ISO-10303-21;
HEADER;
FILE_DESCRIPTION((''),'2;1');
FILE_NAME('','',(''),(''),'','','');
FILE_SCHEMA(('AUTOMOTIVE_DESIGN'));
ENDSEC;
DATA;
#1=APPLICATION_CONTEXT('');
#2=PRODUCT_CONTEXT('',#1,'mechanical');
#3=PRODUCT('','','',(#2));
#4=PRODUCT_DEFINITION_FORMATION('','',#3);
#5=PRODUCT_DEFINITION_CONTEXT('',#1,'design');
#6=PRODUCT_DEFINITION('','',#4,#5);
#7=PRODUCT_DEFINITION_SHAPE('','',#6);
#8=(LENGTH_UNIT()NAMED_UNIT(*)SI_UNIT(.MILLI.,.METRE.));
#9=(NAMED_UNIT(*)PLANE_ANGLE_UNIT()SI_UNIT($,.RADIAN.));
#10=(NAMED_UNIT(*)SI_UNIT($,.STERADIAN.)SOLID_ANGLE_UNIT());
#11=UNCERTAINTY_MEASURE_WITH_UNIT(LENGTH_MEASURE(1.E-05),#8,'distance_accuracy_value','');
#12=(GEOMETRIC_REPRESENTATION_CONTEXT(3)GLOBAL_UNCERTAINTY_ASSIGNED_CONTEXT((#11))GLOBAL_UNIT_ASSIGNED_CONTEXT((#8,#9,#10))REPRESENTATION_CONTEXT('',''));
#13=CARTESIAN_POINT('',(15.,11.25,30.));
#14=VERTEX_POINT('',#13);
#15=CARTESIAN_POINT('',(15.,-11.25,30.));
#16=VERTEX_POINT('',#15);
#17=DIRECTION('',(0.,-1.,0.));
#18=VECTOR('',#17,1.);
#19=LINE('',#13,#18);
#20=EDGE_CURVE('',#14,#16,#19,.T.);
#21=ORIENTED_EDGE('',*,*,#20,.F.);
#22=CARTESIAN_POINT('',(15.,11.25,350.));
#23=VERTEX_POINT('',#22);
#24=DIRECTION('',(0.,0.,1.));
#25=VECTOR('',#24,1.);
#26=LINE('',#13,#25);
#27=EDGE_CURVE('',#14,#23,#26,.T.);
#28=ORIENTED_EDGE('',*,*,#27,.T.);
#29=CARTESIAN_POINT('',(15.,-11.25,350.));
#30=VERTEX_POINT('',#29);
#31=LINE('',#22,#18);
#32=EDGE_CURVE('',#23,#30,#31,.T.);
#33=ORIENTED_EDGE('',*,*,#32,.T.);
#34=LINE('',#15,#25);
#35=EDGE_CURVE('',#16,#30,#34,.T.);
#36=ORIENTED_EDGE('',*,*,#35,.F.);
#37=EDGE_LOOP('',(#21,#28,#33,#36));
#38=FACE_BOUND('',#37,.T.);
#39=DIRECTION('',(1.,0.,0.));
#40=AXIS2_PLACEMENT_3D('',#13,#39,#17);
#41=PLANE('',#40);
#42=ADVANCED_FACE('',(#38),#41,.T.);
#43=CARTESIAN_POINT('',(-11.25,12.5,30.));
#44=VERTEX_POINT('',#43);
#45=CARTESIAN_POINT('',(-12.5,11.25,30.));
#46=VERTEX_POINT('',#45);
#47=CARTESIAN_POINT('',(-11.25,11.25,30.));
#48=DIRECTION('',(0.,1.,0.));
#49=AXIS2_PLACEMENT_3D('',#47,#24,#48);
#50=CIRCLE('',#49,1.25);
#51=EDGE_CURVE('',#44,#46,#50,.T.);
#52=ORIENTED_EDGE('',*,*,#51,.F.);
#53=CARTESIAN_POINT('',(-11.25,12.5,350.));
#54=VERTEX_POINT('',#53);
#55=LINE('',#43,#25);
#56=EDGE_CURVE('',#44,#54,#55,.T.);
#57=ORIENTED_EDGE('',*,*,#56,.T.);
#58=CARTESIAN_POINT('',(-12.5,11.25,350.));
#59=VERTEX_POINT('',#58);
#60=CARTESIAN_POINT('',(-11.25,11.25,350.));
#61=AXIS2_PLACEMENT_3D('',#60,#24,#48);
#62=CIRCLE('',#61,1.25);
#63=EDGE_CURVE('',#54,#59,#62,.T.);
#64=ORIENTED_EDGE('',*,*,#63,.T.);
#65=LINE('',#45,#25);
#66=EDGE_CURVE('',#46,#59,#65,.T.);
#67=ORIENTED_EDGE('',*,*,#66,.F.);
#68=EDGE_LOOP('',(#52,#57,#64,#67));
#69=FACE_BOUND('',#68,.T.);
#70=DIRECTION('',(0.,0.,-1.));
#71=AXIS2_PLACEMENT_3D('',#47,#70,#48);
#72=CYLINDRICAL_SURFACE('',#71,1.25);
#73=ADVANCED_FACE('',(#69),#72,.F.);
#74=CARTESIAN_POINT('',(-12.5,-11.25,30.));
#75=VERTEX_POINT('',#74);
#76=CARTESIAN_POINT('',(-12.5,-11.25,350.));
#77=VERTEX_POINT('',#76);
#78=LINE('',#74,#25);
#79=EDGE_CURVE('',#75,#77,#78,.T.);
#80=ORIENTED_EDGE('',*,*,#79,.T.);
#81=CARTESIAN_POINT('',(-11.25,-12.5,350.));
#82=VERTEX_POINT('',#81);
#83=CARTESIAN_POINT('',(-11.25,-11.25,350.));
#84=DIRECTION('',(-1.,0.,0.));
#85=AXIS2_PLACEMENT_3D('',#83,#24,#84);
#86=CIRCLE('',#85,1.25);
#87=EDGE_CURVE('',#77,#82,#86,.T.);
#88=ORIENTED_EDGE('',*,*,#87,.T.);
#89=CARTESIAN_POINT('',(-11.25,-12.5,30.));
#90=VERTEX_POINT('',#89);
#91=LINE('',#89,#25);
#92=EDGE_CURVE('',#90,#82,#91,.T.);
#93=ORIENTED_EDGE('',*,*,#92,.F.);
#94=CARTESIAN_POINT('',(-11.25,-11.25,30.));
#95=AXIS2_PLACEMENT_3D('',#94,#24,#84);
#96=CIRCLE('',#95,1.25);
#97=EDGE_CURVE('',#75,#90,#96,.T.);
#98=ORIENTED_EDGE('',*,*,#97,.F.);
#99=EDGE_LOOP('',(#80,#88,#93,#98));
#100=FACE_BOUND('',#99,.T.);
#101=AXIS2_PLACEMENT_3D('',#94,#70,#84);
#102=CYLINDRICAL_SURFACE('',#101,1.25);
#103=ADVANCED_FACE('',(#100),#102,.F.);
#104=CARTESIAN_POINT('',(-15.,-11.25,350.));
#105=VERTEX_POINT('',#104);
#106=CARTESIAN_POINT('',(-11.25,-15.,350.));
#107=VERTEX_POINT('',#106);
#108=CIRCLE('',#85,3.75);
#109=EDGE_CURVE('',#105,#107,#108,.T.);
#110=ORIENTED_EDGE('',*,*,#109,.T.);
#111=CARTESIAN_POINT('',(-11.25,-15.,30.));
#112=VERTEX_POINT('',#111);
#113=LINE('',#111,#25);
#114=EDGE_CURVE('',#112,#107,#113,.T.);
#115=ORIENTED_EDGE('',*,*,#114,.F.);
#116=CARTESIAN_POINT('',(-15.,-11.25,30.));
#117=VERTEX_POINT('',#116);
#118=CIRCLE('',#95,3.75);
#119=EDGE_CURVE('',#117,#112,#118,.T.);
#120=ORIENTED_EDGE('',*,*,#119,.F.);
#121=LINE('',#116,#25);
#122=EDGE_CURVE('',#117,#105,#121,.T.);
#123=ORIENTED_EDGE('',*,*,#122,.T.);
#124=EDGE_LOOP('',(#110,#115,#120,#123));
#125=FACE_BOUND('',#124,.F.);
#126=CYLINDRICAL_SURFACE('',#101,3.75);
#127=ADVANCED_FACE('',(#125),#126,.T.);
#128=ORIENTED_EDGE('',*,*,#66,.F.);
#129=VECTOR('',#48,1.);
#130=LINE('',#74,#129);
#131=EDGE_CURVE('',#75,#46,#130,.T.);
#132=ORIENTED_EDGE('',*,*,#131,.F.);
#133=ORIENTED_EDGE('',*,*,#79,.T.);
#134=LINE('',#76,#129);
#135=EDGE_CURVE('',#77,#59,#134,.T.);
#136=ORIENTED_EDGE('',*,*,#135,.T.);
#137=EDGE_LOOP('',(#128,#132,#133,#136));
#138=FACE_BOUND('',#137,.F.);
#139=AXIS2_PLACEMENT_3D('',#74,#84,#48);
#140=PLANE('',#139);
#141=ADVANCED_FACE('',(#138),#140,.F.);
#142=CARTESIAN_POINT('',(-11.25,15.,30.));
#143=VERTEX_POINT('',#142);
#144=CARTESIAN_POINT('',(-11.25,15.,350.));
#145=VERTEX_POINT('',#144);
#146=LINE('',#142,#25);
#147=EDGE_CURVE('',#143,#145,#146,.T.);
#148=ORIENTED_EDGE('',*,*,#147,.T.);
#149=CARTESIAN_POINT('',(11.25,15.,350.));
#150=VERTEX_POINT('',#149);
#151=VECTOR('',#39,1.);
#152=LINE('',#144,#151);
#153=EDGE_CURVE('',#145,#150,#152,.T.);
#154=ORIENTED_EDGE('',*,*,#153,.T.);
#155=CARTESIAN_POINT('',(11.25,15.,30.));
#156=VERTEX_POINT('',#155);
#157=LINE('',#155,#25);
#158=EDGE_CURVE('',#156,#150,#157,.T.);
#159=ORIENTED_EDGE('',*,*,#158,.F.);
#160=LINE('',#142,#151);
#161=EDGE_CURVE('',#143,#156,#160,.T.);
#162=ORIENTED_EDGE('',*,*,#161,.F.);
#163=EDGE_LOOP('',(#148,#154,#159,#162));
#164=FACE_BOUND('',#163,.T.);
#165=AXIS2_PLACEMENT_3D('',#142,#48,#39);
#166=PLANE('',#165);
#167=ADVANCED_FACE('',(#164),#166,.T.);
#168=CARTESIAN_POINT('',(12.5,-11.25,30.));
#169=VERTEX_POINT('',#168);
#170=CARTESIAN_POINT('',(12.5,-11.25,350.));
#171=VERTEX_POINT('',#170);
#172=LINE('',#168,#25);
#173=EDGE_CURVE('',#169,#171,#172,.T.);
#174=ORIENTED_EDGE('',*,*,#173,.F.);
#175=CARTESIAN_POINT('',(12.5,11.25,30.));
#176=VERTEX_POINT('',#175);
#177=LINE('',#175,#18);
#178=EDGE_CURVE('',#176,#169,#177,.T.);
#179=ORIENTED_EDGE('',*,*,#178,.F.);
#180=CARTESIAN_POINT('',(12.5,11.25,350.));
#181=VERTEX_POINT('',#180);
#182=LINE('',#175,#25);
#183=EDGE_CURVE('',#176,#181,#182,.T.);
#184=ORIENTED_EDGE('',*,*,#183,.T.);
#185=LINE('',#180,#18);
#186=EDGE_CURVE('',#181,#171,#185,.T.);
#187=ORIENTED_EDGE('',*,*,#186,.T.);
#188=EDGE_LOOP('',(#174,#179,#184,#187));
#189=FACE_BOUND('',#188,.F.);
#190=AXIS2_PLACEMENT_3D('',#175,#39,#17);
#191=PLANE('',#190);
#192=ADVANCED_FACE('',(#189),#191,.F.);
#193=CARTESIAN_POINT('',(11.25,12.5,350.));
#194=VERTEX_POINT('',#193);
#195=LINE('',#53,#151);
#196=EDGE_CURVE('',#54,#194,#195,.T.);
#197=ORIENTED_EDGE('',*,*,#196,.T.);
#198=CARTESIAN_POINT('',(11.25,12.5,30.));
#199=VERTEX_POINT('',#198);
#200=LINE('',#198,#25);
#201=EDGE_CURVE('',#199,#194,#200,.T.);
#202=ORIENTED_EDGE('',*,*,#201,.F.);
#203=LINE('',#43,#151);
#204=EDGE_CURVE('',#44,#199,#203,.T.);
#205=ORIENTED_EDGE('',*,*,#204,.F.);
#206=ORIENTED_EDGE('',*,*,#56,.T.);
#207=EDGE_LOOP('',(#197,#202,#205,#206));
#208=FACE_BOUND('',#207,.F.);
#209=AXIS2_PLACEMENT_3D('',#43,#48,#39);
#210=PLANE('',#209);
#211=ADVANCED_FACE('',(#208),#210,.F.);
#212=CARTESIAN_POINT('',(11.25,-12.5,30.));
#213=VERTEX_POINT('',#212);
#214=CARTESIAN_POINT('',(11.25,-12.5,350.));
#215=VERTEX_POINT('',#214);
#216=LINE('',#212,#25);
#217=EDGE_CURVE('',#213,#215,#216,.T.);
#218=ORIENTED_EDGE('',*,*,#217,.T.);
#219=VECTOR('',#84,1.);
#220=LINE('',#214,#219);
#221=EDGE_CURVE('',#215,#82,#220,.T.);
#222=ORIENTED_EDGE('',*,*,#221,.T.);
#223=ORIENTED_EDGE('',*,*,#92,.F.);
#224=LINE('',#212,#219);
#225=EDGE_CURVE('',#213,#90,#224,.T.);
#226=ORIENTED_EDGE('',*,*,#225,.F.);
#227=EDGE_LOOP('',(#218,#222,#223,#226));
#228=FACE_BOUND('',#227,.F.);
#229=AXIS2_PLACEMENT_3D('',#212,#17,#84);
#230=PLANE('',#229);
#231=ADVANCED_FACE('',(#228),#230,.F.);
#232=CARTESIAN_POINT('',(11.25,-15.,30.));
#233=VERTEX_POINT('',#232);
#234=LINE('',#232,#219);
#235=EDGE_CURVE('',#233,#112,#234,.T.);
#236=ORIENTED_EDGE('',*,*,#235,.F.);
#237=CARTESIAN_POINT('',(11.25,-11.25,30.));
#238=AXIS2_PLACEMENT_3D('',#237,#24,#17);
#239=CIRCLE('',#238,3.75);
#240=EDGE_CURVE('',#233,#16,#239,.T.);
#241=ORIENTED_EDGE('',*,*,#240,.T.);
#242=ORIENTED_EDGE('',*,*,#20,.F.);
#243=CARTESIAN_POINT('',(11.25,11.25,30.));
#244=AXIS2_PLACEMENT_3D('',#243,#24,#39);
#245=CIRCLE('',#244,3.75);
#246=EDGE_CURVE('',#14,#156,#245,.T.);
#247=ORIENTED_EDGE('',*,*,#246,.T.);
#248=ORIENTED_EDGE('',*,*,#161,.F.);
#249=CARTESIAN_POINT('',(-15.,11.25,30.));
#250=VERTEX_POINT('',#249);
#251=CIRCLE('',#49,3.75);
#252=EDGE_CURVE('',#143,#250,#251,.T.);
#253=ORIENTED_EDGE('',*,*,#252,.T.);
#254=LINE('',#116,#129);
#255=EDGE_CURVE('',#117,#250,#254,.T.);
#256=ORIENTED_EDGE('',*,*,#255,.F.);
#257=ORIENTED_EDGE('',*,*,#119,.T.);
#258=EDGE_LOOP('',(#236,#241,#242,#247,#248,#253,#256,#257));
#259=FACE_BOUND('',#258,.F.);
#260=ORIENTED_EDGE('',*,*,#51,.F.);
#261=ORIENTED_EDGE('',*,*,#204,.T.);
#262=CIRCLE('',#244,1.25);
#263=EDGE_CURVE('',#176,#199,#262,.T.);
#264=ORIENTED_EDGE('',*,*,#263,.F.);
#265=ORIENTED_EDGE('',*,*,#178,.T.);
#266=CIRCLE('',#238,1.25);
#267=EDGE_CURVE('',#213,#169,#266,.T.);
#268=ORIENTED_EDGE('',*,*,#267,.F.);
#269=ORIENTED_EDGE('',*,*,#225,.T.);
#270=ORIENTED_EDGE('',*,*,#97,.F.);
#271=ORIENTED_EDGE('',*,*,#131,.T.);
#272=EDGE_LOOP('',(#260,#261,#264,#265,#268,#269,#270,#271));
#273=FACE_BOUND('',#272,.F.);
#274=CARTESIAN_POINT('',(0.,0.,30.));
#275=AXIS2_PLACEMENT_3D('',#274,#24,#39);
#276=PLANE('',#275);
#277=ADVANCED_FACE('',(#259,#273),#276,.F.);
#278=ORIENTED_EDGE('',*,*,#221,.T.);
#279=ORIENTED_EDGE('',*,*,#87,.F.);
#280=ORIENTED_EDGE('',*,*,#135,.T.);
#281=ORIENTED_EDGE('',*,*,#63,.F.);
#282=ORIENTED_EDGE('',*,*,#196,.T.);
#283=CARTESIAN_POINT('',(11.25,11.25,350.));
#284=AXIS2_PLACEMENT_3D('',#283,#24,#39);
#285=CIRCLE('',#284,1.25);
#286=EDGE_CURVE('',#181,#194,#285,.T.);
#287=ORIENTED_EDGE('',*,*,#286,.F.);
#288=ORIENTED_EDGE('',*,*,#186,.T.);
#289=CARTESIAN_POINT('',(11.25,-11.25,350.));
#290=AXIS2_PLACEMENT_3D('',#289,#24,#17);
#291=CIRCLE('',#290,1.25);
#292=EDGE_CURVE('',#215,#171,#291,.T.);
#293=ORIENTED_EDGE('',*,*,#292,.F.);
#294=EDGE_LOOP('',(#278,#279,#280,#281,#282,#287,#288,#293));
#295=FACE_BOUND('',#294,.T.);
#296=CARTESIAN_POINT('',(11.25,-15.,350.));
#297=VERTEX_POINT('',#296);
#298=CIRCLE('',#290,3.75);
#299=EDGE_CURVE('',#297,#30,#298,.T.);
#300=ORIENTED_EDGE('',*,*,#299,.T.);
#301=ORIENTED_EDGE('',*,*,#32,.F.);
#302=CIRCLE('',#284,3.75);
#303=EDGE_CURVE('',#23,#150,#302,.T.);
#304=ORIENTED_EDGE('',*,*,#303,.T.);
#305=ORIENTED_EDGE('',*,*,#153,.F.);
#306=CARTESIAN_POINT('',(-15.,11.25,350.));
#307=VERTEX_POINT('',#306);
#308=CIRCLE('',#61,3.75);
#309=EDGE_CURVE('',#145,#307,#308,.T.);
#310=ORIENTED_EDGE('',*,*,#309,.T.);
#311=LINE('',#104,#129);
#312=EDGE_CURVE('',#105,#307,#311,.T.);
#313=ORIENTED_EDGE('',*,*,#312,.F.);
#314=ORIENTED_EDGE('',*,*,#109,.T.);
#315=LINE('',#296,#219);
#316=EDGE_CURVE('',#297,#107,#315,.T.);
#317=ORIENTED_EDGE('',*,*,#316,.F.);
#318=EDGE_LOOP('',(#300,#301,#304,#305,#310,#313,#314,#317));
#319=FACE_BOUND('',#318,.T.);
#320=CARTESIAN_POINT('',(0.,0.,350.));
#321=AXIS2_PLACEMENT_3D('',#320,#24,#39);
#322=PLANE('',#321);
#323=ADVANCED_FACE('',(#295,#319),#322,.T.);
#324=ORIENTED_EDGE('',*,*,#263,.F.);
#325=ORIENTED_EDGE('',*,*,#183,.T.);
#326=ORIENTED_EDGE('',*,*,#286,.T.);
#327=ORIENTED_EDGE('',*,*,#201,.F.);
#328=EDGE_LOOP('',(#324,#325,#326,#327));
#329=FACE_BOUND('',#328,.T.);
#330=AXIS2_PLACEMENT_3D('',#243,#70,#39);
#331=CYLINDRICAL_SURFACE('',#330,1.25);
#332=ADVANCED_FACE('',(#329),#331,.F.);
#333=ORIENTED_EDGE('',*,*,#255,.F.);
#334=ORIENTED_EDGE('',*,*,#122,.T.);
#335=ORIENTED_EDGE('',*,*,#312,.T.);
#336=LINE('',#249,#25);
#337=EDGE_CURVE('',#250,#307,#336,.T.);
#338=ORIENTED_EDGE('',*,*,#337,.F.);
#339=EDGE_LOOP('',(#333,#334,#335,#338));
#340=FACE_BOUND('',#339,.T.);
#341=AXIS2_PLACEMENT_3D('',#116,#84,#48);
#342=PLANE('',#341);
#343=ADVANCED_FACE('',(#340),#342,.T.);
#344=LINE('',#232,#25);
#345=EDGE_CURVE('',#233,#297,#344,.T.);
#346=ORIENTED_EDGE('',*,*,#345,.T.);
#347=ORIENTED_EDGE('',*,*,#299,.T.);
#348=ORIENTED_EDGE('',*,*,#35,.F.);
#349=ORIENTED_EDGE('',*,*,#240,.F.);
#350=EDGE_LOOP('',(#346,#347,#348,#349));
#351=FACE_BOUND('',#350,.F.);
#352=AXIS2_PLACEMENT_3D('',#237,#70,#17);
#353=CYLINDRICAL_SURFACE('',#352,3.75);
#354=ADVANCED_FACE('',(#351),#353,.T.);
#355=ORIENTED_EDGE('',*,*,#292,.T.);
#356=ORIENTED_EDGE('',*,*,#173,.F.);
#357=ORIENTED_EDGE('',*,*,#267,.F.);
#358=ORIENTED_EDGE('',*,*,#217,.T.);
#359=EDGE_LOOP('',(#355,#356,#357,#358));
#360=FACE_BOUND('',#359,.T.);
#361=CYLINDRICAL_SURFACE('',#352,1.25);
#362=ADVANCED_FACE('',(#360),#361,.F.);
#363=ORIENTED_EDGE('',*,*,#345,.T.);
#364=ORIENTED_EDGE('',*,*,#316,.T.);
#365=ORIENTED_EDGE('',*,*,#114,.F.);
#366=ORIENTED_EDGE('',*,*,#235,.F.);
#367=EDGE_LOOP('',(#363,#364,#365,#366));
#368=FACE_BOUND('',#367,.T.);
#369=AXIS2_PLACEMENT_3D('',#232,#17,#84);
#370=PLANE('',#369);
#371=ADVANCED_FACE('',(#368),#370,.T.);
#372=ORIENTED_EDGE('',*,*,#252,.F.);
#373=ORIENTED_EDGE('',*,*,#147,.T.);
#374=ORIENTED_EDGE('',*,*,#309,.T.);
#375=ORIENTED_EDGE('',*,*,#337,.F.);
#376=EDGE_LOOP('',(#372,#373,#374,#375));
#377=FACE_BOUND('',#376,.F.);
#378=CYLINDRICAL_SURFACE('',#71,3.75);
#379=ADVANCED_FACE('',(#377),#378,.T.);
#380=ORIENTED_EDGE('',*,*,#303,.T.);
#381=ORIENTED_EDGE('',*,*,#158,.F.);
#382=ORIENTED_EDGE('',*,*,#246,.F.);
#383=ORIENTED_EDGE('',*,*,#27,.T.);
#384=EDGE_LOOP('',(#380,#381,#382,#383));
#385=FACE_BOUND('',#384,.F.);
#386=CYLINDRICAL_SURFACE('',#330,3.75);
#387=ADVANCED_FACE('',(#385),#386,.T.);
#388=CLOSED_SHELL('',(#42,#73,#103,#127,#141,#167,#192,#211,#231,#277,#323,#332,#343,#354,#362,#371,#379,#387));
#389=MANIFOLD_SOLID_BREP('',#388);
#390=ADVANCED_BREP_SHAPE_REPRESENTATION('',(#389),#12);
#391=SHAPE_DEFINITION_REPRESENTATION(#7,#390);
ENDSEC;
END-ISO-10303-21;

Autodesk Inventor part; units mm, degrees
ref_plane "Start plane" through (0, 0, 30) normal (0, 0, 1) x (1, 0, 0)
ref_plane "End plane" through (0, 0, 350) normal (0, 0, 1) x (1, 0, 0)
sketch "Sketch" plane through (0, 0, 0) normal (0, 0, 1) x (1, 0, 0)
  line L0 (-15, -11.25) -> (-15, 11.25)
  line L1 (-11.25, 15) -> (11.25, 15)
  line L2 (15, 11.25) -> (15, -11.25)
  line L3 (11.25, -15) -> (-11.25, -15)
  arc A0 (-15, -11.25) -> (-11.25, -15) centre (-11.25, -11.25) ccw
  arc A1 (-11.25, 15) -> (-15, 11.25) centre (-11.25, 11.25) ccw
  arc A2 (15, 11.25) -> (11.25, 15) centre (11.25, 11.25) ccw
  arc A3 (11.25, -15) -> (15, -11.25) centre (11.25, -11.25) ccw
  arc A4 (-11.25, 12.5) -> (-12.5, 11.25) centre (-11.25, 11.25) ccw
  line L4 (-11.25, 12.5) -> (11.25, 12.5)
  arc A5 (12.5, 11.25) -> (11.25, 12.5) centre (11.25, 11.25) ccw
  line L5 (12.5, 11.25) -> (12.5, -11.25)
  arc A6 (11.25, -12.5) -> (12.5, -11.25) centre (11.25, -11.25) ccw
  line L6 (11.25, -12.5) -> (-11.25, -12.5)
  arc A7 (-12.5, -11.25) -> (-11.25, -12.5) centre (-11.25, -11.25) ccw
  line L7 (-12.5, -11.25) -> (-12.5, 11.25)
  line L8 (0, 22.0873) -> (0, -22.0873) construction
  line L9 (-22.0873, 0) -> (22.0873, 0) construction
  dimension "d7" = 3.75
  dimension "d10" = 30
  dimension "d11" = 30
  dimension "d12" = 2.5
  dimension "d15" = 15
  dimension "d16" = 15
extrude "Body" add sketch "Sketch" along normal up to surface (320 mm away) from surface at 30
sketch "Sketch3" plane through (0, 0, 0) normal (0, 0, 1) x (1, 0, 0)
  line L0 (0, 0) -> (10, 0)
ref_plane "Work Plane3" through (0, 0, 0) normal (0, -1, 0) x (1, 0, 0)
sketch "Sketch4" plane through (0, 0, 0) normal (0, -1, 0) x (1, 0, 0)
  line L0 (-2, 30) -> (12, 30)
  line L1 (-2, 350) -> (12, 350)
  dimension "d18" = 320
ref_plane "Work Plane4" through (235, -599.2, 350) normal (0, 0, 1) x (1, 0, 0)
split "Split1" plane through (235, -599.2, 350) removes the side toward (0, 0, 1)
ref_plane "Work Plane6" through (-515, 9.2, 350) normal (0, 0, 1) x (1, 0, 0)
split "Split3" plane through (-515, 9.2, 350) removes the side toward (0, 0, 1)
ref_plane "Work Plane7" through (11.25, -605, 30) normal (0, 0, -1) x (-1, 0, 0)
split "Split4" plane through (11.25, -605, 30) removes the side toward (0, 0, -1)
equation "\"d7\" = G_IR"
equation "\"d10\" = G_H"
equation "\"d11\" = G_W"
equation "\"d12\" = G_T"
equation "\"d15\" = 0.5 * d10"
equation "\"d16\" = 0.5 * d11"
equation "\"d3\" = G_L"
equation "\"G_W\" = 30"
equation "\"G_H\" = 30"
equation "\"G_T\" = 2.5"
equation "\"G_IR\" = 3.75"
equation "\"G_L\" = d18"
properties part number "DIN EN 10305-5 - 30 x 30 x 2,5  - 320" material "Steel, Mild"
